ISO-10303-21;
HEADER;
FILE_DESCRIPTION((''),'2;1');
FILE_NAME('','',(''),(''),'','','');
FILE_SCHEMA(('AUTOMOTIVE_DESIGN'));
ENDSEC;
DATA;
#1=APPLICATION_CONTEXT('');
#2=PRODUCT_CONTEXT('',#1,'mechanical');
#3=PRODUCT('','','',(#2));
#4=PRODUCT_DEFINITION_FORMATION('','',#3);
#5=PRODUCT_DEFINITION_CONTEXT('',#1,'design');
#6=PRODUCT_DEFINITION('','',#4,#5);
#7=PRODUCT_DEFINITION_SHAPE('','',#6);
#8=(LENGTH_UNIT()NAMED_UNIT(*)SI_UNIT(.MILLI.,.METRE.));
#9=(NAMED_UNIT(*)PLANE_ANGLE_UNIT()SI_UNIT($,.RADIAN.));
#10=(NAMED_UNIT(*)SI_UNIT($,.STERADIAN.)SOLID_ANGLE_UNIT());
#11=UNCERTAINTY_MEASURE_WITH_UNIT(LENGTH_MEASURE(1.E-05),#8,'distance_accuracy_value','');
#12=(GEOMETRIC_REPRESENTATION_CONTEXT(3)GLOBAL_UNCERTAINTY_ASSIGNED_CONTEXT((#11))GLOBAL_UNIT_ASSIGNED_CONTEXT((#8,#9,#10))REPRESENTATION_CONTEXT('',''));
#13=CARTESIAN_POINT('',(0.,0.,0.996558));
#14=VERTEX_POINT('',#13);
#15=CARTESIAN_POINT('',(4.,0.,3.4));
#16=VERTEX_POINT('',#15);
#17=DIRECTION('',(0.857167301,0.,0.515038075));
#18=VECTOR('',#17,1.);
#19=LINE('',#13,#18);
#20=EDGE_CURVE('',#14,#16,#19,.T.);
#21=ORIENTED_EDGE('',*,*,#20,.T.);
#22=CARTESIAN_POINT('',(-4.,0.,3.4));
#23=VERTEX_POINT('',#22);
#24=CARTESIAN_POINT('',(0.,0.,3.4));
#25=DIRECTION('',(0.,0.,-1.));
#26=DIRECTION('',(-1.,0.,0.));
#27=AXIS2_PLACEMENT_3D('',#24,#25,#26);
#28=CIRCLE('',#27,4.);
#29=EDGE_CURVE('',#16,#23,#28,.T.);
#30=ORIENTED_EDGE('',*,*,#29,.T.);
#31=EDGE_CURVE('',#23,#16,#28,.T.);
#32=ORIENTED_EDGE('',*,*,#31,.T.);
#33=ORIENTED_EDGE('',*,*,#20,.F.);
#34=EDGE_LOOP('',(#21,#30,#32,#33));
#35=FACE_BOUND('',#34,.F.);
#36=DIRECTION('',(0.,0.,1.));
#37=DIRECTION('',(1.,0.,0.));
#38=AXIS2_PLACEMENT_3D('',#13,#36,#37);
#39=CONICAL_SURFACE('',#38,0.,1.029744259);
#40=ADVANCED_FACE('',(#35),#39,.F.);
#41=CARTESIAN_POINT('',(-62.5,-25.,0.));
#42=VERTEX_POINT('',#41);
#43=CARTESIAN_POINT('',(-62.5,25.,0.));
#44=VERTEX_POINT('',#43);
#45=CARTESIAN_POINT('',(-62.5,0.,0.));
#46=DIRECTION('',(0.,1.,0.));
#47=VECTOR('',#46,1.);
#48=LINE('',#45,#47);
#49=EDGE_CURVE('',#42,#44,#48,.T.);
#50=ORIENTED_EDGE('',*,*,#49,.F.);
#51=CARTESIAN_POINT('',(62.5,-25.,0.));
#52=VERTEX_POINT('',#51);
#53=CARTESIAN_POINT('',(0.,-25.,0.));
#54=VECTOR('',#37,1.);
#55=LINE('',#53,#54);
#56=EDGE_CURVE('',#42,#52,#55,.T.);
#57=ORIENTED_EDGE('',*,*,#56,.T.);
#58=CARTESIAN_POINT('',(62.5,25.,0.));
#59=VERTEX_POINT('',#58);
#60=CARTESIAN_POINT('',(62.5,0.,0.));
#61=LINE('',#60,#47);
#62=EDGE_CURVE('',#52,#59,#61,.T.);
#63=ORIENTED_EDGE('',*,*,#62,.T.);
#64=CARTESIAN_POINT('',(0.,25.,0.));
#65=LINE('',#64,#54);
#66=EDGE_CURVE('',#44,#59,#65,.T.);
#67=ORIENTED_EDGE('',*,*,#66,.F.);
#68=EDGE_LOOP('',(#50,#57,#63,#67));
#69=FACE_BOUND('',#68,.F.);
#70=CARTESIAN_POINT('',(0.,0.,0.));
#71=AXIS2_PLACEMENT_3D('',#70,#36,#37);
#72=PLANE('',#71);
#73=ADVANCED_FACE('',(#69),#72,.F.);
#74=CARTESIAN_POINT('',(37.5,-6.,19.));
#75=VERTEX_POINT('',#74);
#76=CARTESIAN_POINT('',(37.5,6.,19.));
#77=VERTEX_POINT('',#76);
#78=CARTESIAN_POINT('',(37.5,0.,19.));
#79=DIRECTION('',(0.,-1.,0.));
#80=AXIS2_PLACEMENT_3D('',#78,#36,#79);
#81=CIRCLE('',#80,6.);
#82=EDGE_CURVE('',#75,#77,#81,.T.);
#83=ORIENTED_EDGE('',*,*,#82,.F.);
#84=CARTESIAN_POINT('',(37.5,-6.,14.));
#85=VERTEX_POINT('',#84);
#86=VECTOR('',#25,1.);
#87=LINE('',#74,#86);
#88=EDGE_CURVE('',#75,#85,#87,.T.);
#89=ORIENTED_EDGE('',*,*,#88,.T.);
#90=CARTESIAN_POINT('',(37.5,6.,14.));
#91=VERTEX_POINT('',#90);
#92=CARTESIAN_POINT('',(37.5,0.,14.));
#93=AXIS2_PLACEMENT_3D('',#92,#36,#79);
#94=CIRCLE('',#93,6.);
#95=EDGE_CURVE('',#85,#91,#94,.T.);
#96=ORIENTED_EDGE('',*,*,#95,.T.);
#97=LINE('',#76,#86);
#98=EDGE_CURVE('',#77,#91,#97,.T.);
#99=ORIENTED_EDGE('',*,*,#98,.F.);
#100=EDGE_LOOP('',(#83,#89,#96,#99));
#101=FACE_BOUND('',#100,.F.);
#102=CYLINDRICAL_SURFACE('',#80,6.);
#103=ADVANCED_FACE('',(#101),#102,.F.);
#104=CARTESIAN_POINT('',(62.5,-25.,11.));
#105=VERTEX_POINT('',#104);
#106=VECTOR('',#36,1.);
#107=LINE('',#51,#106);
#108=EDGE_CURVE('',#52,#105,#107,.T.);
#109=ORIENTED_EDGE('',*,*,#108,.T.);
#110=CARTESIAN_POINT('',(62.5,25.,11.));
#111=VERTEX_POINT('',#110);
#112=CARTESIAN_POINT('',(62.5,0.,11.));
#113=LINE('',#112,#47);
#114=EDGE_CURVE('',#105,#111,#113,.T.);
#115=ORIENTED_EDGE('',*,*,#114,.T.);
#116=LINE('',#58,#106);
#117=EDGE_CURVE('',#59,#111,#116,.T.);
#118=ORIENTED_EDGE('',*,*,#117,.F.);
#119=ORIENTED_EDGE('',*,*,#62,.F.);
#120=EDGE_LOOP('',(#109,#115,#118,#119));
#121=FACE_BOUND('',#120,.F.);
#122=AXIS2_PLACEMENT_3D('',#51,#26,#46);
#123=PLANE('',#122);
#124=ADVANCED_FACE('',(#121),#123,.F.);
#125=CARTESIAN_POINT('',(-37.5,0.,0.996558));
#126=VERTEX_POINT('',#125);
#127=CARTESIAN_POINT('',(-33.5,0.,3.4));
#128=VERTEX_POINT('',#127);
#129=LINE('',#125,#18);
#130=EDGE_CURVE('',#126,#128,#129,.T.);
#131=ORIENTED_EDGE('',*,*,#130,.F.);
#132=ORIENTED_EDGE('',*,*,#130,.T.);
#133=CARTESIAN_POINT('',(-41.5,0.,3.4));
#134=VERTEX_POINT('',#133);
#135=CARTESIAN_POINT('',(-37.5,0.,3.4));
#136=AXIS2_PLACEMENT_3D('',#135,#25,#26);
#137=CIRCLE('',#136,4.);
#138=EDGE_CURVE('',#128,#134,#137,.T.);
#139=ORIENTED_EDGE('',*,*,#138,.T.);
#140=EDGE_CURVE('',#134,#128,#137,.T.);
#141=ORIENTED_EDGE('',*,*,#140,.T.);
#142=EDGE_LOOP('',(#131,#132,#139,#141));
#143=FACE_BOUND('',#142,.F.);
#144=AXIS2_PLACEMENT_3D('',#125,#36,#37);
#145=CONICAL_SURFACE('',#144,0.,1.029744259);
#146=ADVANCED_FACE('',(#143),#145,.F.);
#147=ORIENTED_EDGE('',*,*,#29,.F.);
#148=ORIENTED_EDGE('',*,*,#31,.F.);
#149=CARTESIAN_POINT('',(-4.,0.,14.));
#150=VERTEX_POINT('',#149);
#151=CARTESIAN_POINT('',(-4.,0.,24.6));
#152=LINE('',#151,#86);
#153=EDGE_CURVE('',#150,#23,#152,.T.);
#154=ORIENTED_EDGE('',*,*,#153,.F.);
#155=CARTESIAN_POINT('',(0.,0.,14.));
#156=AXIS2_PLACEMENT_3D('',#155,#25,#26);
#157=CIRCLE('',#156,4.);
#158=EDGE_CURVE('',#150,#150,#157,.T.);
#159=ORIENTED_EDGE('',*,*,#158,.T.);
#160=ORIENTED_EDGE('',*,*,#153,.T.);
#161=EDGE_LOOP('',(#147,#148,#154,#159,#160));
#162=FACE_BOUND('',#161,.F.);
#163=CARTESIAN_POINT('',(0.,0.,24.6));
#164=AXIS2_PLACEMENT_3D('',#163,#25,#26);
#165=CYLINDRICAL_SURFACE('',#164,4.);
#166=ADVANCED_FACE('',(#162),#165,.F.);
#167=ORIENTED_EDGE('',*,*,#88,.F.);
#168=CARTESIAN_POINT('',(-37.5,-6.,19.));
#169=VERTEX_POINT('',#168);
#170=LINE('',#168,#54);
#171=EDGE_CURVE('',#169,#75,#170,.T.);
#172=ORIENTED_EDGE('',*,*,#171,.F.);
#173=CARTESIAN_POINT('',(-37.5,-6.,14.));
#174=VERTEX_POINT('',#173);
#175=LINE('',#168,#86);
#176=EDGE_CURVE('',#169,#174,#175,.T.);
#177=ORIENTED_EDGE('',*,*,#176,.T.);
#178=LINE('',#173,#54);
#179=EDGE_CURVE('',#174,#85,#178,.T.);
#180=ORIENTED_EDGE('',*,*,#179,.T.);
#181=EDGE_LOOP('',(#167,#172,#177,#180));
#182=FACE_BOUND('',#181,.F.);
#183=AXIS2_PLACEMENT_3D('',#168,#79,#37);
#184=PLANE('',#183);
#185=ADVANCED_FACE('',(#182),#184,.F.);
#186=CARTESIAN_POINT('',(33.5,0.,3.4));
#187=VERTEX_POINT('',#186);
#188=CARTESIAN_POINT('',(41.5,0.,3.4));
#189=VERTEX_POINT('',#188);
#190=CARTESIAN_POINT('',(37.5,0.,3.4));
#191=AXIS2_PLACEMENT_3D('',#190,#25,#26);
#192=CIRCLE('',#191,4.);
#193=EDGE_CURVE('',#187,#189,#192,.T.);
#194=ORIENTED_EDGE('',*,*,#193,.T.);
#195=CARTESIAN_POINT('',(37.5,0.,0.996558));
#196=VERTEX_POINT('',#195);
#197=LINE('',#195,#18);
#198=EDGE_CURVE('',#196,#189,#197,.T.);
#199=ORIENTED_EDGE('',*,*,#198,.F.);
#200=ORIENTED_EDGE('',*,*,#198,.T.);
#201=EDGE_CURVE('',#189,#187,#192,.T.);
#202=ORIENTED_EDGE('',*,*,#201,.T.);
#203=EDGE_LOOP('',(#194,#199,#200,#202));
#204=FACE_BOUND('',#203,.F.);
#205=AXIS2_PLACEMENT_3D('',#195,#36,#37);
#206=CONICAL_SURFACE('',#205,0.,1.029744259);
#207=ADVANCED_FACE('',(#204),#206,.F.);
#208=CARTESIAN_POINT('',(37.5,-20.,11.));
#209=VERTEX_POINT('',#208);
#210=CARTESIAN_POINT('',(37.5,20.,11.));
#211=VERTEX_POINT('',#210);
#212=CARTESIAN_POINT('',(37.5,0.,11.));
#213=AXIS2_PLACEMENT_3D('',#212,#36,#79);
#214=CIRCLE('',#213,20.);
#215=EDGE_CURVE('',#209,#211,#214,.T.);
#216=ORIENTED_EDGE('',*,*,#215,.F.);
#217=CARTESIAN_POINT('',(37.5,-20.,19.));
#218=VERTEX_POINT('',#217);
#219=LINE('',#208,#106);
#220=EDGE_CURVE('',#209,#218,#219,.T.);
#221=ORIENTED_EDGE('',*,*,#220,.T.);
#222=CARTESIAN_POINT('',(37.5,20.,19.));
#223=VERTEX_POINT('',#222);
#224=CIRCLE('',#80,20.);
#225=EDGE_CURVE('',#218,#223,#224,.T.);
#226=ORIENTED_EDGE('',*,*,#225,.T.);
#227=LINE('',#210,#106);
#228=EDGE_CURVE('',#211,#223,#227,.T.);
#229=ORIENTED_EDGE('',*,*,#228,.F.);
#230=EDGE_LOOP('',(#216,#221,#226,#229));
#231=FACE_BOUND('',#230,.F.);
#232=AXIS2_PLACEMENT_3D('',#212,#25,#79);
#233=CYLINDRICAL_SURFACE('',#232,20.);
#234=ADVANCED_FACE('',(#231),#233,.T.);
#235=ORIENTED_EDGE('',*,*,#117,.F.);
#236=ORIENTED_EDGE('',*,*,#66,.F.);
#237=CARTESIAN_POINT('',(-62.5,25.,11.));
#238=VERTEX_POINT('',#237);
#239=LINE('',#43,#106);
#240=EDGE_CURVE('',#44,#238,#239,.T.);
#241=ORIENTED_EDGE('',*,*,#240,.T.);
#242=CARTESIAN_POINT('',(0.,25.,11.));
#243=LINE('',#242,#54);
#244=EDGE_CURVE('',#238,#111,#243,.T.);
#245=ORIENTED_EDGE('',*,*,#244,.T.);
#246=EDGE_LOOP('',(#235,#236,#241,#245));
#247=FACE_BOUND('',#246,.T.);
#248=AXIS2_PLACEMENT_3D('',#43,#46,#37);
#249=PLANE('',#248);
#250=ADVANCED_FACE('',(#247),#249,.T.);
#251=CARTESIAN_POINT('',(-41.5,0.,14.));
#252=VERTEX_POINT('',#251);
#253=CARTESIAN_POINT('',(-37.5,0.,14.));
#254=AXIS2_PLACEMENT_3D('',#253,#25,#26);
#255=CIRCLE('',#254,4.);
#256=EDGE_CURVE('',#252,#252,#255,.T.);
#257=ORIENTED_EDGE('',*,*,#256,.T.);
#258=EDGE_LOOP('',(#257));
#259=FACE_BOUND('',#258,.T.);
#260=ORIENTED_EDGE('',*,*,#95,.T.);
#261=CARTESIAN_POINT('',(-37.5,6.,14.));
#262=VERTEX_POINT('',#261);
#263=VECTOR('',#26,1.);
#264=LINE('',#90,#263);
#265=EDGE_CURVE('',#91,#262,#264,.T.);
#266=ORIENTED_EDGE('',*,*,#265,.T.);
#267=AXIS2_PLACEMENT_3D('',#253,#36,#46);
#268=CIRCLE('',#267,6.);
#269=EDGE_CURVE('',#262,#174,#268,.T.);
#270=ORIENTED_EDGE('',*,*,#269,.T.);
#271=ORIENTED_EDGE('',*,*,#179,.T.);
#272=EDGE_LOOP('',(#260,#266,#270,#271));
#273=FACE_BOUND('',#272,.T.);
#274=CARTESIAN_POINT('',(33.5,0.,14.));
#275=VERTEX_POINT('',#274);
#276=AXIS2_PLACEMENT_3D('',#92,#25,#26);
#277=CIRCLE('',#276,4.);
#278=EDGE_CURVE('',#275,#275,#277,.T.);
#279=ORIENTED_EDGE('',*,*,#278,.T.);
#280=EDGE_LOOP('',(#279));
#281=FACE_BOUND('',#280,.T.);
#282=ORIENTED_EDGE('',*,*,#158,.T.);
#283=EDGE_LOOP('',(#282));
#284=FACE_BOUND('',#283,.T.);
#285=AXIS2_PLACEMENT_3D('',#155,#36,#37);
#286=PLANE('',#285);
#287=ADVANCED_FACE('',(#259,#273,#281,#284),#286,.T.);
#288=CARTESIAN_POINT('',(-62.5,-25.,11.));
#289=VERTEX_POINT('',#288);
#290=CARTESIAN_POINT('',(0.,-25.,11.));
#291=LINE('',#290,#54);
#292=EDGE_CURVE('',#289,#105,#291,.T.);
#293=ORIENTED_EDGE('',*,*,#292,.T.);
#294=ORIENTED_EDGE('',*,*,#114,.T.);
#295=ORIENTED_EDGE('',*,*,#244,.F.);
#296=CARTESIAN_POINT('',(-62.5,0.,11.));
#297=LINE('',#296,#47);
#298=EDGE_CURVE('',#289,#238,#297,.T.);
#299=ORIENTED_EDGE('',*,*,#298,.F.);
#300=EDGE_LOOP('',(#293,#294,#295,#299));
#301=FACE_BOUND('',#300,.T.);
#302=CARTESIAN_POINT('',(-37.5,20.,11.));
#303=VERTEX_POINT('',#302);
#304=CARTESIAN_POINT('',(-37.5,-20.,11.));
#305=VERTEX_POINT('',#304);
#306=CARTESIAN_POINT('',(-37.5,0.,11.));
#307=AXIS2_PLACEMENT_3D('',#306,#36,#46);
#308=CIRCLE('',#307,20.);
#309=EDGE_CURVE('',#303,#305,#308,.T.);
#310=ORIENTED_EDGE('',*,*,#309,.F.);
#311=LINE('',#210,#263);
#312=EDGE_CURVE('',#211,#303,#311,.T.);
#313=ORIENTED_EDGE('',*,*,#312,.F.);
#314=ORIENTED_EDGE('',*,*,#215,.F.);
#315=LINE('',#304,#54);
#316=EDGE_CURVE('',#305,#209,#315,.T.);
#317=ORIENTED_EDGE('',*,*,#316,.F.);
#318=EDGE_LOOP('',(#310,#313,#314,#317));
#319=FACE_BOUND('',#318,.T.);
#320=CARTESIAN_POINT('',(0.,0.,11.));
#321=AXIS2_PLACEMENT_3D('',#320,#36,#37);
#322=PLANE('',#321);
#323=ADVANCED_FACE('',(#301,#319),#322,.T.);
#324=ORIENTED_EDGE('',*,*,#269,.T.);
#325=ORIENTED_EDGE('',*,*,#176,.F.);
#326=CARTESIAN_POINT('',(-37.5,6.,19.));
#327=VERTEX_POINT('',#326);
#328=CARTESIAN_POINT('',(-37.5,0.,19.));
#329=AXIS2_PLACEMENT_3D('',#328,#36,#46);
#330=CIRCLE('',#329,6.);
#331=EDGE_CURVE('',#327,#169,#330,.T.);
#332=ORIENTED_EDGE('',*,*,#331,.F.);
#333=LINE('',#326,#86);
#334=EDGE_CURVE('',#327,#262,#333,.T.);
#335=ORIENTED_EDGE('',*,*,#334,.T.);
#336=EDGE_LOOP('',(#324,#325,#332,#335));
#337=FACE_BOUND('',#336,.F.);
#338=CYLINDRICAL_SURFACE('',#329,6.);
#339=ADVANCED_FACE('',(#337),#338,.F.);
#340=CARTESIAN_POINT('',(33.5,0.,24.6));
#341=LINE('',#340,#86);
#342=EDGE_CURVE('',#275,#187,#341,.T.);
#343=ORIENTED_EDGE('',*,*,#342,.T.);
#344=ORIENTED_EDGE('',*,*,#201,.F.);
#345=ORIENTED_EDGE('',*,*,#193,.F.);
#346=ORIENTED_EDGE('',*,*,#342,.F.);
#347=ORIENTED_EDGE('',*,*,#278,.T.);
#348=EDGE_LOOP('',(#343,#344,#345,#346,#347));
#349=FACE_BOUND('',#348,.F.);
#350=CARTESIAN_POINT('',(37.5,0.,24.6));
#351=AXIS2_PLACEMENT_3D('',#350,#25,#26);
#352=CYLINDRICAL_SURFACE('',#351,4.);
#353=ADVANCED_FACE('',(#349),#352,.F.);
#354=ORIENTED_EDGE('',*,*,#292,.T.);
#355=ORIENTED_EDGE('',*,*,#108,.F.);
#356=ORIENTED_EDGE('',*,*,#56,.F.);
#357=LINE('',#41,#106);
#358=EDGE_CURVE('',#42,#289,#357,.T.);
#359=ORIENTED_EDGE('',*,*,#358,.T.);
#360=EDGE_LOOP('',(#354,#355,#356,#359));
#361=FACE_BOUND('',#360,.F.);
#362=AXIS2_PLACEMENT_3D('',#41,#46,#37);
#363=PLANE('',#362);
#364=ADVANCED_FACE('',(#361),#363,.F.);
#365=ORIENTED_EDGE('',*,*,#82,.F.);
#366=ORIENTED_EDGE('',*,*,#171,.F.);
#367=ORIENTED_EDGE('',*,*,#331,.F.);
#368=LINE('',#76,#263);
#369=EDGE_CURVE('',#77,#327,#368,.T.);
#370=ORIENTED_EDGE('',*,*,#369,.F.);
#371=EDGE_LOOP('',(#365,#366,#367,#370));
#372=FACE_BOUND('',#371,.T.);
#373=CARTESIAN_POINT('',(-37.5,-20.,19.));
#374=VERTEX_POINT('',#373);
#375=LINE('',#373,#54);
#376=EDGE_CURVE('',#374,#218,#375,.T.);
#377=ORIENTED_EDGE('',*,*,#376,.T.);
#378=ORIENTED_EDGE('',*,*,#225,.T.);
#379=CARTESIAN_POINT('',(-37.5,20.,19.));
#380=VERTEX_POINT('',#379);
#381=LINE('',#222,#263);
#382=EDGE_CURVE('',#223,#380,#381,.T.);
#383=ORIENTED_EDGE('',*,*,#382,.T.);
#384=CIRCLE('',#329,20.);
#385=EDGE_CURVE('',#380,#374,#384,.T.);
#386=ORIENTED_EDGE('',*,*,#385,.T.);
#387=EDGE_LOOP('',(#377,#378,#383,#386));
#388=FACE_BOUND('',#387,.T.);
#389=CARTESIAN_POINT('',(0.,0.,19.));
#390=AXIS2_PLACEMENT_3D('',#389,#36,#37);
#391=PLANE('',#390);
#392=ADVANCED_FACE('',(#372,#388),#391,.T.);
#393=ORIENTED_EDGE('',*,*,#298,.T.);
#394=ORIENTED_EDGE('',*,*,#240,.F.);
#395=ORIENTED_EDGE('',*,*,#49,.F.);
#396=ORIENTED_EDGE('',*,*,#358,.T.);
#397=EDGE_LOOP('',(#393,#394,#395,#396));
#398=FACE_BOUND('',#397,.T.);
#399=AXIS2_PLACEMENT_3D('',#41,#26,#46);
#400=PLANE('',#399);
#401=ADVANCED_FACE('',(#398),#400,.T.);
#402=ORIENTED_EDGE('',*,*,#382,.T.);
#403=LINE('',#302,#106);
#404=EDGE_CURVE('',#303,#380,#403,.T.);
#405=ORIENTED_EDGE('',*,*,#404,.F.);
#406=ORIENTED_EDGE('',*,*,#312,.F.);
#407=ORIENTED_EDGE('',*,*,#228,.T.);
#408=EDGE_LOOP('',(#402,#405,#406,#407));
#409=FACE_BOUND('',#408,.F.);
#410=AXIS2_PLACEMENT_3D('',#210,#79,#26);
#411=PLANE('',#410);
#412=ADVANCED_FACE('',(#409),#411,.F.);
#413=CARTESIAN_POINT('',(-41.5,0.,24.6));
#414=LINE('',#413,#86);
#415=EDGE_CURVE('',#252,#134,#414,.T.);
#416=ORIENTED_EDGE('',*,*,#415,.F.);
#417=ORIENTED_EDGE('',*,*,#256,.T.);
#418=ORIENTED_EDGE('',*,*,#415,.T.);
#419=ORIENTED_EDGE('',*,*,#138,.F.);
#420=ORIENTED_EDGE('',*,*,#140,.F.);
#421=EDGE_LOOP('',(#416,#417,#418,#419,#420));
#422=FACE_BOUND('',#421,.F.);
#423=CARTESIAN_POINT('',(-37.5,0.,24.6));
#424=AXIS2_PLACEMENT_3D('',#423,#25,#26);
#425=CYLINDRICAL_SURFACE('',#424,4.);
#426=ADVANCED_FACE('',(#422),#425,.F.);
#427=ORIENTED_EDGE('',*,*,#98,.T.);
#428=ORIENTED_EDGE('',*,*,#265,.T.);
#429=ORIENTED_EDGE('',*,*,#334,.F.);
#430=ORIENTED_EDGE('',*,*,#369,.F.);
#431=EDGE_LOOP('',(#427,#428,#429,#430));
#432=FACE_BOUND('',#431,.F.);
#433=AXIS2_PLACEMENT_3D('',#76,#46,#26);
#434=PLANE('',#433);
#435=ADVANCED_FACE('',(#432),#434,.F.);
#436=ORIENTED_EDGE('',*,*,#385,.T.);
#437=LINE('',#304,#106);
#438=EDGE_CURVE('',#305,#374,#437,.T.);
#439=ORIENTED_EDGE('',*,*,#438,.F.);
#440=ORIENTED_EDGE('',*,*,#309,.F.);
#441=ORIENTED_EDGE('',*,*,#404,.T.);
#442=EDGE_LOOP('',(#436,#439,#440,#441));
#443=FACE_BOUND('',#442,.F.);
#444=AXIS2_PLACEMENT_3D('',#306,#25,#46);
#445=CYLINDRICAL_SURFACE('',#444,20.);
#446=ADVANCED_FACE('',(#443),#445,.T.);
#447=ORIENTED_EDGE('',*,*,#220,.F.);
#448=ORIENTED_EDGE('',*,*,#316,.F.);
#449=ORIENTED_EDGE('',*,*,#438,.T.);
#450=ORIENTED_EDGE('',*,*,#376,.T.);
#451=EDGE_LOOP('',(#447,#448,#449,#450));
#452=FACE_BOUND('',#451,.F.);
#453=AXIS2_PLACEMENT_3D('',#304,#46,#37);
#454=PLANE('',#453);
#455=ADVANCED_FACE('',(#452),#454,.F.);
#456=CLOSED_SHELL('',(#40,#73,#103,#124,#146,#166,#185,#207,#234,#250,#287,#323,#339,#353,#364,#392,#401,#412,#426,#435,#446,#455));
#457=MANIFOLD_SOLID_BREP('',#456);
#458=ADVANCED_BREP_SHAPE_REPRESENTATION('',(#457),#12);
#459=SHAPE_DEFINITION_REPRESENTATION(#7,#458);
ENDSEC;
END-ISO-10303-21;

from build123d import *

# Parameters (mm, degrees)
F0_W     = 125
F0_H     = 50
F1_DEPTH = 11
F3_DEPTH = 8
F5_DEPTH = 5
F7_D     = 8
F7_DEPTH = 10.6
F7_TIP   = 2.4034424761
F9_D     = 8
F9_DEPTH = 10.6
F9_TIP   = 2.4034424761


with BuildPart() as f1:
    # F0 (on Top) → F1 (new body)
    with BuildSketch(Plane.XY):
        Rectangle(F0_W, F0_H)
    extrude(amount=F1_DEPTH)

    # F2 (on face) → F3 (join)
    with BuildSketch(Plane.XY.offset(11)):
        with BuildLine():
            ThreePointArc((37.5, -20), (57.5, 0), (37.5, 20))
            Line((37.5, 20), (-37.5, 20))
            ThreePointArc((-37.5, 20), (-57.5, 0), (-37.5, -20))
            Line((-37.5, -20), (37.5, -20))
        make_face()
    extrude(amount=F3_DEPTH)

    # F4 (on face) → F5 (cut)
    with BuildSketch(Plane.XY.offset(19)):
        with BuildLine():
            ThreePointArc((37.5, -6), (43.5, 0), (37.5, 6))
            Line((37.5, 6), (-37.5, 6))
            ThreePointArc((-37.5, 6), (-43.5, 0), (-37.5, -6))
            Line((-37.5, -6), (37.5, -6))
        make_face()
    extrude(amount=-F5_DEPTH, mode=Mode.SUBTRACT)

    # F7
    with Locations(Plane.XY.offset(14)):
        with Locations((0, 0)):
            Hole(F7_D / 2, depth=F7_DEPTH)
            with Locations((0, 0, -(F7_DEPTH + F7_TIP / 2))):  # 118° drill point
                Cone(0, F7_D / 2, F7_TIP, mode=Mode.SUBTRACT)

    # F9
    with Locations(Plane.XY.offset(14)):
        with Locations((-37.5, 0), (37.5, 0)):
            Hole(F9_D / 2, depth=F9_DEPTH)
            with Locations((0, 0, -(F9_DEPTH + F9_TIP / 2))):  # 118° drill point
                Cone(0, F9_D / 2, F9_TIP, mode=Mode.SUBTRACT)


solid = f1.part
